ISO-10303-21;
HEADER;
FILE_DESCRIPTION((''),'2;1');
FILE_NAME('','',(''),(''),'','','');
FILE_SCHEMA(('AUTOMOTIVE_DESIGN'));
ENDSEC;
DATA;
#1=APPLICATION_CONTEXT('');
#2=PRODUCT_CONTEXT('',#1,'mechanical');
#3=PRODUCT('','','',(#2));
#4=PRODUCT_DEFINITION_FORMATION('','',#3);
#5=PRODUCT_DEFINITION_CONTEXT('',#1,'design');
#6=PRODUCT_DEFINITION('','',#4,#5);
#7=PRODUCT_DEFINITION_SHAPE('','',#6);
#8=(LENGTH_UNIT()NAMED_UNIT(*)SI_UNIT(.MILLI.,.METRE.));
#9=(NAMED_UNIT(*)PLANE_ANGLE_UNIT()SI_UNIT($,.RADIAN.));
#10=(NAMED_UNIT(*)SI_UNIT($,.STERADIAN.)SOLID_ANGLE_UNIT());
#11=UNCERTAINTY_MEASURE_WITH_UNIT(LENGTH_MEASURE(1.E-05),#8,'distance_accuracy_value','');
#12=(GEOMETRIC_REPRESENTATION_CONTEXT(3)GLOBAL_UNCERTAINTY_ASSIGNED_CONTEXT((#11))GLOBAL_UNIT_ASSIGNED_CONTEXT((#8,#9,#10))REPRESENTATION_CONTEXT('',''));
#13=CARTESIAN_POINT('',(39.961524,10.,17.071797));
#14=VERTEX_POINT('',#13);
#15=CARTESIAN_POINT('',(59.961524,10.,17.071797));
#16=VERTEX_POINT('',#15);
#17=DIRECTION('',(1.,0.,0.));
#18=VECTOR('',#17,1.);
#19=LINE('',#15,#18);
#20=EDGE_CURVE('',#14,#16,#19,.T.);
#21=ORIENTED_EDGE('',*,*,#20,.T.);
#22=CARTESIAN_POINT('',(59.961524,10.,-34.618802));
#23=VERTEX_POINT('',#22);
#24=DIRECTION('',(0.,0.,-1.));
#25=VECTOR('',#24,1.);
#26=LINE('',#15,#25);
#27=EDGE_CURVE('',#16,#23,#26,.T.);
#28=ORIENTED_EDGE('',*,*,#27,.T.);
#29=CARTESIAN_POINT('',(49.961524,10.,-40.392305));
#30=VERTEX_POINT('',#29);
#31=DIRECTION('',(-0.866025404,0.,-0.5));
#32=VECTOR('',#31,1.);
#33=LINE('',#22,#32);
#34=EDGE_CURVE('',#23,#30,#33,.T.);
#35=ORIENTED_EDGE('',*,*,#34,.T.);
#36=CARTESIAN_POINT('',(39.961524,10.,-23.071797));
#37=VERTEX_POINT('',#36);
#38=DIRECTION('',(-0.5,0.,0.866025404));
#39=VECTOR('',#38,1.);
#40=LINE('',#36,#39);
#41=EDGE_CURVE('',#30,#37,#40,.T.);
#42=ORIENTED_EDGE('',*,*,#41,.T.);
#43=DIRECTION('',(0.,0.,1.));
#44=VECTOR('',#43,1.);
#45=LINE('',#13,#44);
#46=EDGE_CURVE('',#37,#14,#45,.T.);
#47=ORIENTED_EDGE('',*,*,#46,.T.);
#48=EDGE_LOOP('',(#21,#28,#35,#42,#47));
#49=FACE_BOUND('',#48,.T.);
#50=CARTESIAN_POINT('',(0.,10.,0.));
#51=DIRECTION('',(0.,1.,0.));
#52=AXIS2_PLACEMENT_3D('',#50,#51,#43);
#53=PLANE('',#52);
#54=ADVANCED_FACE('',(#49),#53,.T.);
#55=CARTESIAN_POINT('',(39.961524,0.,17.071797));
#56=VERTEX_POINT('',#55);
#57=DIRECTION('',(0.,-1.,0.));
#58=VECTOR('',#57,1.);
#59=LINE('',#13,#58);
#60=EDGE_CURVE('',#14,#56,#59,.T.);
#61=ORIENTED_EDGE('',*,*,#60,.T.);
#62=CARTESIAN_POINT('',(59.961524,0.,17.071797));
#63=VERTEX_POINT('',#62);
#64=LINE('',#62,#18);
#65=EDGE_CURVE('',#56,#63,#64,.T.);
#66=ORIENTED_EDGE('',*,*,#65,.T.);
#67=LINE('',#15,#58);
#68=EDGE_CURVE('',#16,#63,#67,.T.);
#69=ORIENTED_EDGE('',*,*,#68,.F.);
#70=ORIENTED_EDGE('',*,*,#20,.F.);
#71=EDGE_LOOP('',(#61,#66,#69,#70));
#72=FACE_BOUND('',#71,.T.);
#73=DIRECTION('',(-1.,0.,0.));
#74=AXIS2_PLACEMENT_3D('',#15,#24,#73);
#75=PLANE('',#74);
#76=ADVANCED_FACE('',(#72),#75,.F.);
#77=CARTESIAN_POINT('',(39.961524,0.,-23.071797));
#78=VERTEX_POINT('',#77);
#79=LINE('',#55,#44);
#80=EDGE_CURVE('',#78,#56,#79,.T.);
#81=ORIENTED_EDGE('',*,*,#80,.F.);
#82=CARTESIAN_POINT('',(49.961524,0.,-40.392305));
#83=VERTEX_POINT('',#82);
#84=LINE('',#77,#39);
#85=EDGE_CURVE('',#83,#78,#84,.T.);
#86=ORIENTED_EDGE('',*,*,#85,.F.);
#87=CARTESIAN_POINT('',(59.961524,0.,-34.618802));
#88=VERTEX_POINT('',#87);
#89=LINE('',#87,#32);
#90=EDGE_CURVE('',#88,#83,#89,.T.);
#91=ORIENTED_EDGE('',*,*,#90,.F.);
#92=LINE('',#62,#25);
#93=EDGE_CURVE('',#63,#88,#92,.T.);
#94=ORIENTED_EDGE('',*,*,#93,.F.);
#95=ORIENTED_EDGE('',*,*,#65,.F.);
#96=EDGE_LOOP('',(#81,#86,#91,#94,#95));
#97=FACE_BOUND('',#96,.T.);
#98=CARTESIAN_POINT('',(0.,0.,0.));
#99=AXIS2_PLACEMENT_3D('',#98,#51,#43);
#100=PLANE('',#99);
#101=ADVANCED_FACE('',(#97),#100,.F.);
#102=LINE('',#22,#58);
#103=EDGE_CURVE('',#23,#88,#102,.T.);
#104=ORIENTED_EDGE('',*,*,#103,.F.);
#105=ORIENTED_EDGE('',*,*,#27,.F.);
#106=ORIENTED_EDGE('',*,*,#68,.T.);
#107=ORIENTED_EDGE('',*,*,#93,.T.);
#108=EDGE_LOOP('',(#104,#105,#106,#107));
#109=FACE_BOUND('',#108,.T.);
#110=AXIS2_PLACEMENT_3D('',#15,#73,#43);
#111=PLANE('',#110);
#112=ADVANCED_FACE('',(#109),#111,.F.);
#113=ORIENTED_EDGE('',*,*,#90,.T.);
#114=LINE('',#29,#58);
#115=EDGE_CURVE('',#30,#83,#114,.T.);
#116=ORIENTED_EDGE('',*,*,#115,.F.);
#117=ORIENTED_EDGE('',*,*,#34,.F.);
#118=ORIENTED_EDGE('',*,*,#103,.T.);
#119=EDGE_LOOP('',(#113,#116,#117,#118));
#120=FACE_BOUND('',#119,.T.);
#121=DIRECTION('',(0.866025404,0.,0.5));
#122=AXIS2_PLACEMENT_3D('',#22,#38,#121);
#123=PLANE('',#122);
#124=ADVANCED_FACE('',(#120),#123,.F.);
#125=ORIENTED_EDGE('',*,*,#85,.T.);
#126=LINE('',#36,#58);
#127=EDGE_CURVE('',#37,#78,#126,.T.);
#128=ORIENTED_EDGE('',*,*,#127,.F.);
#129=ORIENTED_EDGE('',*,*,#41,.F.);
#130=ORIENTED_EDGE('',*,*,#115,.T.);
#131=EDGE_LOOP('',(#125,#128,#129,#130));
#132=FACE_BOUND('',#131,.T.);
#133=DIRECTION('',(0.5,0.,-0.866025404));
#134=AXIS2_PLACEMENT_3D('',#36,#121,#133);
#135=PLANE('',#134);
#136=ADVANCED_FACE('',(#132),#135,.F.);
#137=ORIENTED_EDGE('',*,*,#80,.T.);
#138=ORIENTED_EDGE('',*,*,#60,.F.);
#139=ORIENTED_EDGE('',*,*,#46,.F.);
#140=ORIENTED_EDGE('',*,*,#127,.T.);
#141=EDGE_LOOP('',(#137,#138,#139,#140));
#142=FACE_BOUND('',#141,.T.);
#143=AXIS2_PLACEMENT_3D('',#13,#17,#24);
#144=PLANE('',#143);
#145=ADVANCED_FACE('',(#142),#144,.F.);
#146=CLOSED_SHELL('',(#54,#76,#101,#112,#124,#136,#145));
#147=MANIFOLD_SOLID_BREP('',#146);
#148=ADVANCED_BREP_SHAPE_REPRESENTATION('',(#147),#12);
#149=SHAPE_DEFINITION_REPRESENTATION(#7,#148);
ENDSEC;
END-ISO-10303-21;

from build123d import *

# Parameters (mm, degrees)
BOSS_EXTRUDE1_DEPTH = 10


with BuildPart() as part:
    # Sketch1 → Boss-Extrude1 (new body)
    with BuildSketch(Plane(origin=(0, 0, 0), x_dir=(1, 0, 0), z_dir=(0, 1, 0))):
        Polygon((59.961524227, -17.07179677), (39.961524227, -17.07179677), (39.961524227, 23.07179677), (49.961524227, 40.392304845), (59.961524227, 34.618802154), align=None)
    extrude(amount=BOSS_EXTRUDE1_DEPTH)


solid = part.part
